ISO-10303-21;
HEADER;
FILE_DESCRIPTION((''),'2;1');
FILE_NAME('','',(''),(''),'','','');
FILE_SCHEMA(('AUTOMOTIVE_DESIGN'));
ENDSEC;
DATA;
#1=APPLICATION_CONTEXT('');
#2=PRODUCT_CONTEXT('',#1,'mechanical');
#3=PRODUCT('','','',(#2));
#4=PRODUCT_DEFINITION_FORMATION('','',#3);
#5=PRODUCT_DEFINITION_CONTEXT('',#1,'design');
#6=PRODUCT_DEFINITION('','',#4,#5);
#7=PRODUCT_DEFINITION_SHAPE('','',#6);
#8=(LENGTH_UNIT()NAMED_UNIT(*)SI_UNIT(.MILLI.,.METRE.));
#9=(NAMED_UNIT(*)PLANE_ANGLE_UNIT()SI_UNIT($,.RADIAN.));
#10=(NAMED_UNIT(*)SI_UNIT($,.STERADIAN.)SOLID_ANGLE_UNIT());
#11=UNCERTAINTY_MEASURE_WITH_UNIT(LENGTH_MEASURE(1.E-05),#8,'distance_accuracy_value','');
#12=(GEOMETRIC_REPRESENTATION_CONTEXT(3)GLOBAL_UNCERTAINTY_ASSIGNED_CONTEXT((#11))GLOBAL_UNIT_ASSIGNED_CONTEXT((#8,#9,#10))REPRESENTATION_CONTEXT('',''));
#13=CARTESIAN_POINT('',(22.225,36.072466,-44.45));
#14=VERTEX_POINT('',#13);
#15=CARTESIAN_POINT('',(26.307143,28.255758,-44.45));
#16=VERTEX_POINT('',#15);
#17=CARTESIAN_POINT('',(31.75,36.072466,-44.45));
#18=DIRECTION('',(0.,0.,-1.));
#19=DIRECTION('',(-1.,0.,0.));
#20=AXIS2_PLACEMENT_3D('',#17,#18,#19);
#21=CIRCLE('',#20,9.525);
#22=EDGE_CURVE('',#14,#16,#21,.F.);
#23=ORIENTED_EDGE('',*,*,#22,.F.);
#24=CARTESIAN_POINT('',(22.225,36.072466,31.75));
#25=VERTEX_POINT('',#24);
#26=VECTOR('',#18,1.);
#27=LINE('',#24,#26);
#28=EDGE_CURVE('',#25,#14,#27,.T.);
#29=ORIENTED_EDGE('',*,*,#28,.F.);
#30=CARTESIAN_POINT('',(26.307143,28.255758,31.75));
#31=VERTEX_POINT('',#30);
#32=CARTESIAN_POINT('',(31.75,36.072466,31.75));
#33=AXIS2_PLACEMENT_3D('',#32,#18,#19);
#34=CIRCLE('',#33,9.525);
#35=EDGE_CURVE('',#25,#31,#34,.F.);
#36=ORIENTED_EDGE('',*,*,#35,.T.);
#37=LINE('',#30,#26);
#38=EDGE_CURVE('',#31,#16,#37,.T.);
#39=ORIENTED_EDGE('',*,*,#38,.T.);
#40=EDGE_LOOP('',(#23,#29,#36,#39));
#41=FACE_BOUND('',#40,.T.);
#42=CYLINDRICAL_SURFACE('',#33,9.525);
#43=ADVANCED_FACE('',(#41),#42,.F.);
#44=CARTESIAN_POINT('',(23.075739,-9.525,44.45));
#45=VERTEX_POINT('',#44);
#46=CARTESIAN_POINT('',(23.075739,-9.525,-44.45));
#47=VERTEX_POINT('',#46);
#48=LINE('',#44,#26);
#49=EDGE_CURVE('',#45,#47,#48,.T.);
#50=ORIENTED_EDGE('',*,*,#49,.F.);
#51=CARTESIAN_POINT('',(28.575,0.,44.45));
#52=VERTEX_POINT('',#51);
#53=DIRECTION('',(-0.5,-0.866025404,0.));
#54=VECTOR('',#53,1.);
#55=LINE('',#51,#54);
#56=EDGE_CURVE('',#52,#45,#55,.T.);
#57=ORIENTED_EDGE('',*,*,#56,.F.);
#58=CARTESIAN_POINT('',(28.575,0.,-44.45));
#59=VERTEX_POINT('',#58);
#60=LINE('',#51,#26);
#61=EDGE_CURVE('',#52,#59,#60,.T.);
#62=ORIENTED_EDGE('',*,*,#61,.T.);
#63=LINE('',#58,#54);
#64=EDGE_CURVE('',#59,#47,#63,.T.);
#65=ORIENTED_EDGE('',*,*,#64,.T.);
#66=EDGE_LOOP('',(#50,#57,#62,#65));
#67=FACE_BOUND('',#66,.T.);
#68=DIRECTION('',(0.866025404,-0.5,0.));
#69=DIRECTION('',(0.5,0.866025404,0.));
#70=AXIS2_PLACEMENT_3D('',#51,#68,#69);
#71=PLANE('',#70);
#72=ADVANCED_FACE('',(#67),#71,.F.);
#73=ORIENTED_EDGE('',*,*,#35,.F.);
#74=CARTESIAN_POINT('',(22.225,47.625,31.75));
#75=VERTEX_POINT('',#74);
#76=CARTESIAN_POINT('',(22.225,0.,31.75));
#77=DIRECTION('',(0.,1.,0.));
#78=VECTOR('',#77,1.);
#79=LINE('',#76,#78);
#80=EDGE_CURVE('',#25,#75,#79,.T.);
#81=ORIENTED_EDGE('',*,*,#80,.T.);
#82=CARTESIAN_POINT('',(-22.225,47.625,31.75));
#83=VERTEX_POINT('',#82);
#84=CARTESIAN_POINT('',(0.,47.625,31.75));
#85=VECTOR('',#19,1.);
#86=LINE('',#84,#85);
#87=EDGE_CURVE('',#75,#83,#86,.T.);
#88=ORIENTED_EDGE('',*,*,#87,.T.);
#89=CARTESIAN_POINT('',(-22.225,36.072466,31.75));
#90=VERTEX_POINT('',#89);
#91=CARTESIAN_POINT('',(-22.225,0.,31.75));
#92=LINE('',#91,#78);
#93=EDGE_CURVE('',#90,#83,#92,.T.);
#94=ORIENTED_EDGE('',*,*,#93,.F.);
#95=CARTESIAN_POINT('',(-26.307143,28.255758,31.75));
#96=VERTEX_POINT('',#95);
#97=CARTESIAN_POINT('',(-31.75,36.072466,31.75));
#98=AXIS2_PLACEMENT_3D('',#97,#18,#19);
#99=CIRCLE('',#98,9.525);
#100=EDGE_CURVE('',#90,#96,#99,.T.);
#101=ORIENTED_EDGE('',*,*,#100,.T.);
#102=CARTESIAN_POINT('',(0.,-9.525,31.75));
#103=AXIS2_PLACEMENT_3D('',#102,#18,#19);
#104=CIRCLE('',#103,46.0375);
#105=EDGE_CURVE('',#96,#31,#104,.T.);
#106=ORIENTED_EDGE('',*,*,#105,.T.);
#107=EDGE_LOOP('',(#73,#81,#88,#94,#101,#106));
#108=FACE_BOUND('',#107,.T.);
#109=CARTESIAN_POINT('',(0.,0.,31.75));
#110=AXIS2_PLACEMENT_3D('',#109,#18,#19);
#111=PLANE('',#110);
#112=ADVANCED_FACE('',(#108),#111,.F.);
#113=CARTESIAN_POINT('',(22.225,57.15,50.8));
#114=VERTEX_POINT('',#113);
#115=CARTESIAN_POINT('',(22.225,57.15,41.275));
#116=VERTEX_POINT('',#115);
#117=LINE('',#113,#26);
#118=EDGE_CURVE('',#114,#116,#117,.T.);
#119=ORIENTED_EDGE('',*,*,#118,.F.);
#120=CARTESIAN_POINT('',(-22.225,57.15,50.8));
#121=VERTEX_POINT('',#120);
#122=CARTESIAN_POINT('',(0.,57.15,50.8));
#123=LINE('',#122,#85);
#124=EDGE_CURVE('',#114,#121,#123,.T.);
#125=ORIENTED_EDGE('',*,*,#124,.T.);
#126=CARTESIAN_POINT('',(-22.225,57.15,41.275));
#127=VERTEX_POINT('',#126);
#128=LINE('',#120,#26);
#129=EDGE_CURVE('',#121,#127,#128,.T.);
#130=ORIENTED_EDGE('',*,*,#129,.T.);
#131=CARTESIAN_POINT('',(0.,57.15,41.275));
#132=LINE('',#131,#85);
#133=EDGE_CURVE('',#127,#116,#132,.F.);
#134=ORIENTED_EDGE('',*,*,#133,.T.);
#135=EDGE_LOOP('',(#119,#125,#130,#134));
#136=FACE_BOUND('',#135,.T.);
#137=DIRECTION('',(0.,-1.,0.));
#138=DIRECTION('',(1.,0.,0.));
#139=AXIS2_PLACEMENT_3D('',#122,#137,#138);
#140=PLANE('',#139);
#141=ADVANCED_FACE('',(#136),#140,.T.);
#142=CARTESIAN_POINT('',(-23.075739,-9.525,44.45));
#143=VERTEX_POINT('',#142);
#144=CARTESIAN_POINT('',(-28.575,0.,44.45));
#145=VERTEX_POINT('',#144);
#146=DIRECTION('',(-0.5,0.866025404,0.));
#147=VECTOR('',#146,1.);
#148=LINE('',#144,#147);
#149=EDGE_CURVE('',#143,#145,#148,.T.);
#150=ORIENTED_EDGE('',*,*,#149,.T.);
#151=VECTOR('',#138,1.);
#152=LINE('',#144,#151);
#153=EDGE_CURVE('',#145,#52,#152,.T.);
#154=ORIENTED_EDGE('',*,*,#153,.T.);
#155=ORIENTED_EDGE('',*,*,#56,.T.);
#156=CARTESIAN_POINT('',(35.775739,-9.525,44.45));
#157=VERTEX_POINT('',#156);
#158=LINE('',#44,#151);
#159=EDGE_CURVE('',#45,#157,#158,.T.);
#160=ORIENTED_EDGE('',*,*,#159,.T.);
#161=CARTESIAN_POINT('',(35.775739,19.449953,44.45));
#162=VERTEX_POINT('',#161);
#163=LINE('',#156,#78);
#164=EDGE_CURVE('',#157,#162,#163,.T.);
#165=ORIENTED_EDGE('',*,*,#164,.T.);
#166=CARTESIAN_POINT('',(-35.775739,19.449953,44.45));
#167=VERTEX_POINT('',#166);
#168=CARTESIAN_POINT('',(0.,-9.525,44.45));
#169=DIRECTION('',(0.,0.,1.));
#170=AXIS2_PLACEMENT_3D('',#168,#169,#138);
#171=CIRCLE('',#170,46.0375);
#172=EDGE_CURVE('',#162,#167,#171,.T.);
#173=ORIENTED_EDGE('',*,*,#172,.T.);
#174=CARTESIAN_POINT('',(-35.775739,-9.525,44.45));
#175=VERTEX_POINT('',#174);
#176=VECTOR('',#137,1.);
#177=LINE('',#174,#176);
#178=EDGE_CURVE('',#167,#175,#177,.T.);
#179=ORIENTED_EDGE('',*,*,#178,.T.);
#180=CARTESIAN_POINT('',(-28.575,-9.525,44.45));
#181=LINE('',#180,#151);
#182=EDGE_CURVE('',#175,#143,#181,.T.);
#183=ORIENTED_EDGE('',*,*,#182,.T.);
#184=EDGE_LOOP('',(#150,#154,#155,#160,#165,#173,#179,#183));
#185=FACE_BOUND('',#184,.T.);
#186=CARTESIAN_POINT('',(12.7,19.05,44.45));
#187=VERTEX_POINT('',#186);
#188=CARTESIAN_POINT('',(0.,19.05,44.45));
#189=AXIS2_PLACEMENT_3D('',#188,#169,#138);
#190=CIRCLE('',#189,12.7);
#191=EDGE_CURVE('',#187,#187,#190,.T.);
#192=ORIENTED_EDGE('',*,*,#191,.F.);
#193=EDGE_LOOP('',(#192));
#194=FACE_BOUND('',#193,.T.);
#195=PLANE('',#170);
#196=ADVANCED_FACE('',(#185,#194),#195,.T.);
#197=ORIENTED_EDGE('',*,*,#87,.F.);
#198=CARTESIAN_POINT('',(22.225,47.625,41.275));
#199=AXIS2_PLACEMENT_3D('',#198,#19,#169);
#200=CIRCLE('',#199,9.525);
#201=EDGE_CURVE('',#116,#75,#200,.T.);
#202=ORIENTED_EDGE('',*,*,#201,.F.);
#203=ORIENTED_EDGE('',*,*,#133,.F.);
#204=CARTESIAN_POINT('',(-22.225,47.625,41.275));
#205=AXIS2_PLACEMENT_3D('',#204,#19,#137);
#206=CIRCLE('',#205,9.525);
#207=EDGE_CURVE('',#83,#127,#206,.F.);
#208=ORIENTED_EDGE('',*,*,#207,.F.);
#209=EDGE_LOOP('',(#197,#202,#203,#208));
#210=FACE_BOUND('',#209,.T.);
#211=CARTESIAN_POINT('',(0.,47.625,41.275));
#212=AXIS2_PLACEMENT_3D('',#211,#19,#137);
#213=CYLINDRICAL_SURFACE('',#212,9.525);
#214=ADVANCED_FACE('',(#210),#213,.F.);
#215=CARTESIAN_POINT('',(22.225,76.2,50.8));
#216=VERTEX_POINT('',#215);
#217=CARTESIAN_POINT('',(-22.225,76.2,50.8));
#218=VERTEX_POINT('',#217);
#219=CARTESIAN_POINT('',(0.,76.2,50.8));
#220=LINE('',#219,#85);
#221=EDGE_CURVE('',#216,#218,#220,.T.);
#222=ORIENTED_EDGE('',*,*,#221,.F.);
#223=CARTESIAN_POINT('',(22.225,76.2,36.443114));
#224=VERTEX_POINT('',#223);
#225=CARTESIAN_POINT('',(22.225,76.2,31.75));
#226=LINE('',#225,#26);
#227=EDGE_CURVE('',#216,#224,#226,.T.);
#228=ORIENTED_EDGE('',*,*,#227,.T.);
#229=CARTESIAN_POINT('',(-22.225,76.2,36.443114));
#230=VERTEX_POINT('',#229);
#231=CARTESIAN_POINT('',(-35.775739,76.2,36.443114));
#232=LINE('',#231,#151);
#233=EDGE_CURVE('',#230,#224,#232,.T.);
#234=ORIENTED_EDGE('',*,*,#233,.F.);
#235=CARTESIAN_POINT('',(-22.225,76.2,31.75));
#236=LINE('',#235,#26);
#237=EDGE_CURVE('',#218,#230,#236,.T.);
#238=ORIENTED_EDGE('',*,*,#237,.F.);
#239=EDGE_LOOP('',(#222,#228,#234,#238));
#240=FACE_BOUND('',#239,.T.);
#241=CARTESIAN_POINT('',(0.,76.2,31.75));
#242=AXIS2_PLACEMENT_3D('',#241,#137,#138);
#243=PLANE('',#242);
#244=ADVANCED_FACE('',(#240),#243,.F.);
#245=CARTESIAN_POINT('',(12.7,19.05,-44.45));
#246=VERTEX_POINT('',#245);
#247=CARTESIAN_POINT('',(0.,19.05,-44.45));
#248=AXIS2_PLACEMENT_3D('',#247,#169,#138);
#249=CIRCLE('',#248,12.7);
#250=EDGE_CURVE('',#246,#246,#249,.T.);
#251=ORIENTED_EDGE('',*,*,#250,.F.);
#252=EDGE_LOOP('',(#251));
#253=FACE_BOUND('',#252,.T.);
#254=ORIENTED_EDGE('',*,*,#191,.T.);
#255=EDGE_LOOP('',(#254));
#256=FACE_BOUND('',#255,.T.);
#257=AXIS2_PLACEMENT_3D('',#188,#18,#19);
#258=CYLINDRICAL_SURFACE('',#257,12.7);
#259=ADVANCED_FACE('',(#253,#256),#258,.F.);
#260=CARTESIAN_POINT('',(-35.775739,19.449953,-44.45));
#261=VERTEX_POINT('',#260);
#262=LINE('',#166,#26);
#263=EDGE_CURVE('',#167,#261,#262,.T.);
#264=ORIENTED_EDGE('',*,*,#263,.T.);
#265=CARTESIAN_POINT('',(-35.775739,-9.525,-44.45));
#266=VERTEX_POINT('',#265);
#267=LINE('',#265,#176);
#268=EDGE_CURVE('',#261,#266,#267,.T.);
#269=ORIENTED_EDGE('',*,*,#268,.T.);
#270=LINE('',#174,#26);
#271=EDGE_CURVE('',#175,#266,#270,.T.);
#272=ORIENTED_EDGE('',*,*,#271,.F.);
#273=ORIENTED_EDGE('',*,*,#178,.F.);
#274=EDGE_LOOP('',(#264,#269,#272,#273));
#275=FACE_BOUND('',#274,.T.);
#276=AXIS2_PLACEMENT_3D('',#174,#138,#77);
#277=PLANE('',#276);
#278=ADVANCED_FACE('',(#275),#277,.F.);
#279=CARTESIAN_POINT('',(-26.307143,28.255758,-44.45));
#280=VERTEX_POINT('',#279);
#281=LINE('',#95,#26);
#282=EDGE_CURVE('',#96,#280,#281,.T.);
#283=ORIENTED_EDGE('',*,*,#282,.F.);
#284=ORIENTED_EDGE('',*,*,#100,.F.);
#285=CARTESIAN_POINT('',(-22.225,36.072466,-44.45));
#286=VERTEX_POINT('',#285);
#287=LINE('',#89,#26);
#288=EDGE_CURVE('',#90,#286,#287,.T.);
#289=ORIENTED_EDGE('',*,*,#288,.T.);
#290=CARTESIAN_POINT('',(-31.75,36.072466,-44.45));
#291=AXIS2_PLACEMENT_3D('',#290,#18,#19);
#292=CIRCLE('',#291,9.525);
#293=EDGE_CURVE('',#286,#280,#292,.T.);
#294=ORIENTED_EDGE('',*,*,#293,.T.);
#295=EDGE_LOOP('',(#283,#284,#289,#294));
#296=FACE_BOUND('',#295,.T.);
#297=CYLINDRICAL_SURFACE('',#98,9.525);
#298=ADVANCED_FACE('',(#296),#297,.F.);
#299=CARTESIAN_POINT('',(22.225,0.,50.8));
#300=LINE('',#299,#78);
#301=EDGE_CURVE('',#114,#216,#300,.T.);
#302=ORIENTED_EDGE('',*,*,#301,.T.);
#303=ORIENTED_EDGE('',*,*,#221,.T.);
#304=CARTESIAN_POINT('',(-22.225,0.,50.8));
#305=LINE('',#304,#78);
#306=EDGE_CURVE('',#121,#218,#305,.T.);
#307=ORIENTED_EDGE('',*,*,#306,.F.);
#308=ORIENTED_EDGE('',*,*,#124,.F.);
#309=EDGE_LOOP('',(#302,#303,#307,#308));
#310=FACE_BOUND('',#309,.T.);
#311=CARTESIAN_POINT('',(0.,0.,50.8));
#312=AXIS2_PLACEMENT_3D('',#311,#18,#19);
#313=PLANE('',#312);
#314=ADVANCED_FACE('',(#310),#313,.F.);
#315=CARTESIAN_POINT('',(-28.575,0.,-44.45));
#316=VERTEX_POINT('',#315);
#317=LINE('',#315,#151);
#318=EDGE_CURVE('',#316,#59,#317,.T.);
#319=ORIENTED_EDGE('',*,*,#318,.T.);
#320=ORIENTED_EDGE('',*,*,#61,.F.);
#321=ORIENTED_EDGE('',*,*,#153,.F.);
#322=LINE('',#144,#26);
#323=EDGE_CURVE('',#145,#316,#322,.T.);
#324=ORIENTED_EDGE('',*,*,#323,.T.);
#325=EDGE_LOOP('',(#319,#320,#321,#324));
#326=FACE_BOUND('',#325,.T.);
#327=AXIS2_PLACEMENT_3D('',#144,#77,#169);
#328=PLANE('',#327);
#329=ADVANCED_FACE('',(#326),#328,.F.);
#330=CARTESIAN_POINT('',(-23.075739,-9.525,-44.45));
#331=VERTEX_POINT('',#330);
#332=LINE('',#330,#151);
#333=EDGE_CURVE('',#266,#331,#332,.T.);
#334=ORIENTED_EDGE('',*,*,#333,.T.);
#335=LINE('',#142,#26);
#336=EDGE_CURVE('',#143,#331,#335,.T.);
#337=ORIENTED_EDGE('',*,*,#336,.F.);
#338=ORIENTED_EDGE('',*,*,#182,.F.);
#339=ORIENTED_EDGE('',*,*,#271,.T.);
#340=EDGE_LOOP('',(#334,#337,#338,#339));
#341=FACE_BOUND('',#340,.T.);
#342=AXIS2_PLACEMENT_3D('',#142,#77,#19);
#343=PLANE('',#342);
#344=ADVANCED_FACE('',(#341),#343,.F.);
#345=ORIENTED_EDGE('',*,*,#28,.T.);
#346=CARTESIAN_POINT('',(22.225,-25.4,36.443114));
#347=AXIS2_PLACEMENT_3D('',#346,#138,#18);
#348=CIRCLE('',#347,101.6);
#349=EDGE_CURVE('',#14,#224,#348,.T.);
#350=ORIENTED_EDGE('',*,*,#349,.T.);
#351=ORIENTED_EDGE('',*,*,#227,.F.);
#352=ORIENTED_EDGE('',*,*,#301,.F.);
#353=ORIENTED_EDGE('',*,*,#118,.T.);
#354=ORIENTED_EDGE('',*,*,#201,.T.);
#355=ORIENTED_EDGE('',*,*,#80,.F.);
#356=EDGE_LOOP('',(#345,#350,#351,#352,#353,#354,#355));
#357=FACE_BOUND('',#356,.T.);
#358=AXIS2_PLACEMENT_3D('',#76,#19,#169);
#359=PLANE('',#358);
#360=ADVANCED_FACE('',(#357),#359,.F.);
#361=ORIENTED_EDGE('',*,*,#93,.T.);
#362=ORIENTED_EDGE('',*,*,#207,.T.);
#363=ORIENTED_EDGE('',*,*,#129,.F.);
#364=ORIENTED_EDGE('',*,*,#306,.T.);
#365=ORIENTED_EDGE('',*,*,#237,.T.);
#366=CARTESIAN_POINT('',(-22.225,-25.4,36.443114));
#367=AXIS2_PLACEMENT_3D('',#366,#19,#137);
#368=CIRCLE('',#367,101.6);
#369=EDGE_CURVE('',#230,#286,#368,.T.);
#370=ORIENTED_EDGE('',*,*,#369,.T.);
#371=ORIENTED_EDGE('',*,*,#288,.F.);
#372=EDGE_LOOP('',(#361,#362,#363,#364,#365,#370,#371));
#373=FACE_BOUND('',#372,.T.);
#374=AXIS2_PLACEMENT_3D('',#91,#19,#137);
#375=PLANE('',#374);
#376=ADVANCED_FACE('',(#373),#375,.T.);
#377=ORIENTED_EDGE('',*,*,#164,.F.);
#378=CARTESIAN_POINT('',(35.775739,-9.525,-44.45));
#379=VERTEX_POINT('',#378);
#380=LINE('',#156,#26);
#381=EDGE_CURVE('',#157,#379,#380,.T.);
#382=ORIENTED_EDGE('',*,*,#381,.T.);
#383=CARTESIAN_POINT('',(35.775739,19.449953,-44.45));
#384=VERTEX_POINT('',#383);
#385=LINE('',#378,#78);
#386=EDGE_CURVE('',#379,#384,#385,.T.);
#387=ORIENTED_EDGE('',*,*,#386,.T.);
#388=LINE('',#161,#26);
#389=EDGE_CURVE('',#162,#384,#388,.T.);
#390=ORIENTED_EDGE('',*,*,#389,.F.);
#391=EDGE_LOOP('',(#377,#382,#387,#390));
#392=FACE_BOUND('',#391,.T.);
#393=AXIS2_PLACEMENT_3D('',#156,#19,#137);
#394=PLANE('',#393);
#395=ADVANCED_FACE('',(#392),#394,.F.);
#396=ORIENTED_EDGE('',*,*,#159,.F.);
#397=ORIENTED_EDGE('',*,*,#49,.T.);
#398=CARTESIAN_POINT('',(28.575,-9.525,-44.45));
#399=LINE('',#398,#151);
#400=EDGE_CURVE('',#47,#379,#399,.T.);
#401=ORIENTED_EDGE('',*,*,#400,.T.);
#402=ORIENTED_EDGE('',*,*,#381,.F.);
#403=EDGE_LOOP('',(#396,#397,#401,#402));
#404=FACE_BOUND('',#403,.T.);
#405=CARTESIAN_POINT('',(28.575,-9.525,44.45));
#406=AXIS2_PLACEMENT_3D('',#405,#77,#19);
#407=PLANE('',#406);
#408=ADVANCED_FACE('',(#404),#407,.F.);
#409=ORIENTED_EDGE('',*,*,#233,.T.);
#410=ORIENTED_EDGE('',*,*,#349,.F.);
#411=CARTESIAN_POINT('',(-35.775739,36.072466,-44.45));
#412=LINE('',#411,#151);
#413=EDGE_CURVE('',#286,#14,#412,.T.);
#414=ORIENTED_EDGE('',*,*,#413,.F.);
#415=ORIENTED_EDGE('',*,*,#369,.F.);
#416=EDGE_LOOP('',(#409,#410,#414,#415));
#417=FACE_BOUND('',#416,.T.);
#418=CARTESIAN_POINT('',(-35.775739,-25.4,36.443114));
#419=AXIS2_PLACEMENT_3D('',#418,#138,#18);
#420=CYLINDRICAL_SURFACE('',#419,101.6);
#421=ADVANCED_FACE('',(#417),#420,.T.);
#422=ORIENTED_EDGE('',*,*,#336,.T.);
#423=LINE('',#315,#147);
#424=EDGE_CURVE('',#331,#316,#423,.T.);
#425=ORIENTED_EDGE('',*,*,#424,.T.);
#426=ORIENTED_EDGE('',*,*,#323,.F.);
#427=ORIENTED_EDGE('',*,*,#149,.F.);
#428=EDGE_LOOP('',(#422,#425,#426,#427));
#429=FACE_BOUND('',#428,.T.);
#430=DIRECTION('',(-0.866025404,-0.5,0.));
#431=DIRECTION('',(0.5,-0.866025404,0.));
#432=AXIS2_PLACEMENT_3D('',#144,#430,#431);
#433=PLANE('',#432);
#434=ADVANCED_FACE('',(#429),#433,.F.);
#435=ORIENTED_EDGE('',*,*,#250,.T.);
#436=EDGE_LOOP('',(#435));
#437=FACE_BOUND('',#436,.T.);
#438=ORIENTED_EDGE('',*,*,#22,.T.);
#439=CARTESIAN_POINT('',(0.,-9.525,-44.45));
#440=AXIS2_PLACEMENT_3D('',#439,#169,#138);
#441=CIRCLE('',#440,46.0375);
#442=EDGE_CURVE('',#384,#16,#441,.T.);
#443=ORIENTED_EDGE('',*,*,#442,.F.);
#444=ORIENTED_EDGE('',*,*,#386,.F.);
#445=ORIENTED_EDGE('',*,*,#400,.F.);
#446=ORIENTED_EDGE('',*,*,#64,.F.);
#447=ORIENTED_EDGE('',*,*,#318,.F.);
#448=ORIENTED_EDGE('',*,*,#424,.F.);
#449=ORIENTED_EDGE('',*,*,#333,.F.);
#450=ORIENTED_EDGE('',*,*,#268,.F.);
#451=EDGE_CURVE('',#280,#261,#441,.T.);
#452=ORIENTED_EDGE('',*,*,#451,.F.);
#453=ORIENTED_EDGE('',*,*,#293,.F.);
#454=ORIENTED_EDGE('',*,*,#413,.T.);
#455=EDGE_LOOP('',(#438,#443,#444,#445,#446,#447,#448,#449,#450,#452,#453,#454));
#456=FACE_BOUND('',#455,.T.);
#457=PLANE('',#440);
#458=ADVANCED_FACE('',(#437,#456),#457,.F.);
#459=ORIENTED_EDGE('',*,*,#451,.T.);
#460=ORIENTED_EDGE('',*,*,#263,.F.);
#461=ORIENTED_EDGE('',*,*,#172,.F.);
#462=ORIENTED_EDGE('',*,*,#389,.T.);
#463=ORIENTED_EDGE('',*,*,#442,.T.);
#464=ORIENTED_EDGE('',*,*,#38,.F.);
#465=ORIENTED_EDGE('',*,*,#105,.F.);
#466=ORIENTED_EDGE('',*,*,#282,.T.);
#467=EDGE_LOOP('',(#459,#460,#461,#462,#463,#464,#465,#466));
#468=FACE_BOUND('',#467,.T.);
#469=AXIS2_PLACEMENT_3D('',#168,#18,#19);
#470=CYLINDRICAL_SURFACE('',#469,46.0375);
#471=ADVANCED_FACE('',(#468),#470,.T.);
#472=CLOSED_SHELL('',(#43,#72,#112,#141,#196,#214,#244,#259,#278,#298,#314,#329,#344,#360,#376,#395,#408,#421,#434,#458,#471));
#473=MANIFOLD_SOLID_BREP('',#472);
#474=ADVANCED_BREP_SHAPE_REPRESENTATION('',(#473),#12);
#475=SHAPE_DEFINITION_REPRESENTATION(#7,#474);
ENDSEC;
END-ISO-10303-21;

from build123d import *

# Parameters (mm, degrees)
SKETCH2_R           = 12.7
BOSS_EXTRUDE1_DEPTH = 44.45
BOSS_EXTRUDE3_START = -76.2
BOSS_EXTRUDE3_DEPTH = 76.2
SKETCH5_3_W         = 44.45
SKETCH5_3_H         = 19.05
BOSS_EXTRUDE4_DEPTH = 95.25
CUT_EXTRUDE2_DEPTH  = 109.402793728
FILLET1_R           = 9.525


with BuildPart() as part:
    # Sketch2 → Boss-Extrude1 (new, symmetric)
    with BuildSketch(Plane.XY):
        with BuildLine():
            Line((-28.575, 0), (28.575, 0))
            Line((28.575, 0), (23.075738686, -9.525))
            Line((23.075738686, -9.525), (28.575, -9.525))
            Line((28.575, -9.525), (35.775738686, -9.525))
            Line((35.775738686, -9.525), (35.775738686, 19.449953455))
            ThreePointArc((35.775738686, 19.449953455), (0, 36.5125), (-35.775738686, 19.449953455))
            Line((-35.775738686, 19.449953455), (-35.775738686, -9.525))
            Line((-35.775738686, -9.525), (-28.575, -9.525))
            Line((-28.575, -9.525), (-23.075738686, -9.525))
            Line((-23.075738686, -9.525), (-28.575, 0))
        make_face()
        with Locations((0, 19.05)):
            Circle(SKETCH2_R, mode=Mode.SUBTRACT)
    extrude(amount=BOSS_EXTRUDE1_DEPTH, both=True)

    # Sketch5 → Boss-Extrude3 (add)
    with BuildSketch(Plane(origin=(0, 0, -44.45), x_dir=(-1, 0, 0), z_dir=(0, 0, -1)).offset(BOSS_EXTRUDE3_START)):
        with BuildLine():
            ThreePointArc((26.307142857, 28.255757549), (23.306989894, 31.663247782), (22.225, 36.072466007))
            Line((22.225, 36.072466007), (22.225, 76.2))
            Line((22.225, 76.2), (-22.225, 76.2))
            Line((-22.225, 76.2), (-22.225, 36.072466007))
            ThreePointArc((-22.225, 36.072466007), (-23.306989894, 31.663247782), (-26.307142857, 28.255757549))
            ThreePointArc((-26.307142857, 28.255757549), (0, 36.5125), (26.307142857, 28.255757549))
        make_face()
    extrude(amount=BOSS_EXTRUDE3_DEPTH)

    # Sketch5<3> → Boss-Extrude4 (add)
    with BuildSketch(Plane(origin=(0, 0, -44.45), x_dir=(-1, 0, 0), z_dir=(0, 0, -1))):
        with Locations((0, 66.675)):
            Rectangle(SKETCH5_3_W, SKETCH5_3_H)
    extrude(amount=-BOSS_EXTRUDE4_DEPTH)

    # Sketch6 → Cut-Extrude2 (cut, through all)
    with BuildSketch(Plane(origin=(22.225, 0, 0), x_dir=(0, 0, -1), z_dir=(1, 0, 0))):
        with BuildLine():
            Line((44.45, 76.2), (-36.443114188, 76.2))
            ThreePointArc((-36.443114188, 76.2), (8.706401057, 65.616928498), (44.45, 36.072466007))
            Line((44.45, 36.072466007), (44.45, 76.2))
        make_face()
    extrude(amount=-CUT_EXTRUDE2_DEPTH, mode=Mode.SUBTRACT)

    # Fillet1
    fillet1_edges = [part.edges().sort_by_distance(p)[0] for p in [
        (0, 57.15, 31.75),
    ]]
    fillet(fillet1_edges, radius=FILLET1_R)


solid = part.part
